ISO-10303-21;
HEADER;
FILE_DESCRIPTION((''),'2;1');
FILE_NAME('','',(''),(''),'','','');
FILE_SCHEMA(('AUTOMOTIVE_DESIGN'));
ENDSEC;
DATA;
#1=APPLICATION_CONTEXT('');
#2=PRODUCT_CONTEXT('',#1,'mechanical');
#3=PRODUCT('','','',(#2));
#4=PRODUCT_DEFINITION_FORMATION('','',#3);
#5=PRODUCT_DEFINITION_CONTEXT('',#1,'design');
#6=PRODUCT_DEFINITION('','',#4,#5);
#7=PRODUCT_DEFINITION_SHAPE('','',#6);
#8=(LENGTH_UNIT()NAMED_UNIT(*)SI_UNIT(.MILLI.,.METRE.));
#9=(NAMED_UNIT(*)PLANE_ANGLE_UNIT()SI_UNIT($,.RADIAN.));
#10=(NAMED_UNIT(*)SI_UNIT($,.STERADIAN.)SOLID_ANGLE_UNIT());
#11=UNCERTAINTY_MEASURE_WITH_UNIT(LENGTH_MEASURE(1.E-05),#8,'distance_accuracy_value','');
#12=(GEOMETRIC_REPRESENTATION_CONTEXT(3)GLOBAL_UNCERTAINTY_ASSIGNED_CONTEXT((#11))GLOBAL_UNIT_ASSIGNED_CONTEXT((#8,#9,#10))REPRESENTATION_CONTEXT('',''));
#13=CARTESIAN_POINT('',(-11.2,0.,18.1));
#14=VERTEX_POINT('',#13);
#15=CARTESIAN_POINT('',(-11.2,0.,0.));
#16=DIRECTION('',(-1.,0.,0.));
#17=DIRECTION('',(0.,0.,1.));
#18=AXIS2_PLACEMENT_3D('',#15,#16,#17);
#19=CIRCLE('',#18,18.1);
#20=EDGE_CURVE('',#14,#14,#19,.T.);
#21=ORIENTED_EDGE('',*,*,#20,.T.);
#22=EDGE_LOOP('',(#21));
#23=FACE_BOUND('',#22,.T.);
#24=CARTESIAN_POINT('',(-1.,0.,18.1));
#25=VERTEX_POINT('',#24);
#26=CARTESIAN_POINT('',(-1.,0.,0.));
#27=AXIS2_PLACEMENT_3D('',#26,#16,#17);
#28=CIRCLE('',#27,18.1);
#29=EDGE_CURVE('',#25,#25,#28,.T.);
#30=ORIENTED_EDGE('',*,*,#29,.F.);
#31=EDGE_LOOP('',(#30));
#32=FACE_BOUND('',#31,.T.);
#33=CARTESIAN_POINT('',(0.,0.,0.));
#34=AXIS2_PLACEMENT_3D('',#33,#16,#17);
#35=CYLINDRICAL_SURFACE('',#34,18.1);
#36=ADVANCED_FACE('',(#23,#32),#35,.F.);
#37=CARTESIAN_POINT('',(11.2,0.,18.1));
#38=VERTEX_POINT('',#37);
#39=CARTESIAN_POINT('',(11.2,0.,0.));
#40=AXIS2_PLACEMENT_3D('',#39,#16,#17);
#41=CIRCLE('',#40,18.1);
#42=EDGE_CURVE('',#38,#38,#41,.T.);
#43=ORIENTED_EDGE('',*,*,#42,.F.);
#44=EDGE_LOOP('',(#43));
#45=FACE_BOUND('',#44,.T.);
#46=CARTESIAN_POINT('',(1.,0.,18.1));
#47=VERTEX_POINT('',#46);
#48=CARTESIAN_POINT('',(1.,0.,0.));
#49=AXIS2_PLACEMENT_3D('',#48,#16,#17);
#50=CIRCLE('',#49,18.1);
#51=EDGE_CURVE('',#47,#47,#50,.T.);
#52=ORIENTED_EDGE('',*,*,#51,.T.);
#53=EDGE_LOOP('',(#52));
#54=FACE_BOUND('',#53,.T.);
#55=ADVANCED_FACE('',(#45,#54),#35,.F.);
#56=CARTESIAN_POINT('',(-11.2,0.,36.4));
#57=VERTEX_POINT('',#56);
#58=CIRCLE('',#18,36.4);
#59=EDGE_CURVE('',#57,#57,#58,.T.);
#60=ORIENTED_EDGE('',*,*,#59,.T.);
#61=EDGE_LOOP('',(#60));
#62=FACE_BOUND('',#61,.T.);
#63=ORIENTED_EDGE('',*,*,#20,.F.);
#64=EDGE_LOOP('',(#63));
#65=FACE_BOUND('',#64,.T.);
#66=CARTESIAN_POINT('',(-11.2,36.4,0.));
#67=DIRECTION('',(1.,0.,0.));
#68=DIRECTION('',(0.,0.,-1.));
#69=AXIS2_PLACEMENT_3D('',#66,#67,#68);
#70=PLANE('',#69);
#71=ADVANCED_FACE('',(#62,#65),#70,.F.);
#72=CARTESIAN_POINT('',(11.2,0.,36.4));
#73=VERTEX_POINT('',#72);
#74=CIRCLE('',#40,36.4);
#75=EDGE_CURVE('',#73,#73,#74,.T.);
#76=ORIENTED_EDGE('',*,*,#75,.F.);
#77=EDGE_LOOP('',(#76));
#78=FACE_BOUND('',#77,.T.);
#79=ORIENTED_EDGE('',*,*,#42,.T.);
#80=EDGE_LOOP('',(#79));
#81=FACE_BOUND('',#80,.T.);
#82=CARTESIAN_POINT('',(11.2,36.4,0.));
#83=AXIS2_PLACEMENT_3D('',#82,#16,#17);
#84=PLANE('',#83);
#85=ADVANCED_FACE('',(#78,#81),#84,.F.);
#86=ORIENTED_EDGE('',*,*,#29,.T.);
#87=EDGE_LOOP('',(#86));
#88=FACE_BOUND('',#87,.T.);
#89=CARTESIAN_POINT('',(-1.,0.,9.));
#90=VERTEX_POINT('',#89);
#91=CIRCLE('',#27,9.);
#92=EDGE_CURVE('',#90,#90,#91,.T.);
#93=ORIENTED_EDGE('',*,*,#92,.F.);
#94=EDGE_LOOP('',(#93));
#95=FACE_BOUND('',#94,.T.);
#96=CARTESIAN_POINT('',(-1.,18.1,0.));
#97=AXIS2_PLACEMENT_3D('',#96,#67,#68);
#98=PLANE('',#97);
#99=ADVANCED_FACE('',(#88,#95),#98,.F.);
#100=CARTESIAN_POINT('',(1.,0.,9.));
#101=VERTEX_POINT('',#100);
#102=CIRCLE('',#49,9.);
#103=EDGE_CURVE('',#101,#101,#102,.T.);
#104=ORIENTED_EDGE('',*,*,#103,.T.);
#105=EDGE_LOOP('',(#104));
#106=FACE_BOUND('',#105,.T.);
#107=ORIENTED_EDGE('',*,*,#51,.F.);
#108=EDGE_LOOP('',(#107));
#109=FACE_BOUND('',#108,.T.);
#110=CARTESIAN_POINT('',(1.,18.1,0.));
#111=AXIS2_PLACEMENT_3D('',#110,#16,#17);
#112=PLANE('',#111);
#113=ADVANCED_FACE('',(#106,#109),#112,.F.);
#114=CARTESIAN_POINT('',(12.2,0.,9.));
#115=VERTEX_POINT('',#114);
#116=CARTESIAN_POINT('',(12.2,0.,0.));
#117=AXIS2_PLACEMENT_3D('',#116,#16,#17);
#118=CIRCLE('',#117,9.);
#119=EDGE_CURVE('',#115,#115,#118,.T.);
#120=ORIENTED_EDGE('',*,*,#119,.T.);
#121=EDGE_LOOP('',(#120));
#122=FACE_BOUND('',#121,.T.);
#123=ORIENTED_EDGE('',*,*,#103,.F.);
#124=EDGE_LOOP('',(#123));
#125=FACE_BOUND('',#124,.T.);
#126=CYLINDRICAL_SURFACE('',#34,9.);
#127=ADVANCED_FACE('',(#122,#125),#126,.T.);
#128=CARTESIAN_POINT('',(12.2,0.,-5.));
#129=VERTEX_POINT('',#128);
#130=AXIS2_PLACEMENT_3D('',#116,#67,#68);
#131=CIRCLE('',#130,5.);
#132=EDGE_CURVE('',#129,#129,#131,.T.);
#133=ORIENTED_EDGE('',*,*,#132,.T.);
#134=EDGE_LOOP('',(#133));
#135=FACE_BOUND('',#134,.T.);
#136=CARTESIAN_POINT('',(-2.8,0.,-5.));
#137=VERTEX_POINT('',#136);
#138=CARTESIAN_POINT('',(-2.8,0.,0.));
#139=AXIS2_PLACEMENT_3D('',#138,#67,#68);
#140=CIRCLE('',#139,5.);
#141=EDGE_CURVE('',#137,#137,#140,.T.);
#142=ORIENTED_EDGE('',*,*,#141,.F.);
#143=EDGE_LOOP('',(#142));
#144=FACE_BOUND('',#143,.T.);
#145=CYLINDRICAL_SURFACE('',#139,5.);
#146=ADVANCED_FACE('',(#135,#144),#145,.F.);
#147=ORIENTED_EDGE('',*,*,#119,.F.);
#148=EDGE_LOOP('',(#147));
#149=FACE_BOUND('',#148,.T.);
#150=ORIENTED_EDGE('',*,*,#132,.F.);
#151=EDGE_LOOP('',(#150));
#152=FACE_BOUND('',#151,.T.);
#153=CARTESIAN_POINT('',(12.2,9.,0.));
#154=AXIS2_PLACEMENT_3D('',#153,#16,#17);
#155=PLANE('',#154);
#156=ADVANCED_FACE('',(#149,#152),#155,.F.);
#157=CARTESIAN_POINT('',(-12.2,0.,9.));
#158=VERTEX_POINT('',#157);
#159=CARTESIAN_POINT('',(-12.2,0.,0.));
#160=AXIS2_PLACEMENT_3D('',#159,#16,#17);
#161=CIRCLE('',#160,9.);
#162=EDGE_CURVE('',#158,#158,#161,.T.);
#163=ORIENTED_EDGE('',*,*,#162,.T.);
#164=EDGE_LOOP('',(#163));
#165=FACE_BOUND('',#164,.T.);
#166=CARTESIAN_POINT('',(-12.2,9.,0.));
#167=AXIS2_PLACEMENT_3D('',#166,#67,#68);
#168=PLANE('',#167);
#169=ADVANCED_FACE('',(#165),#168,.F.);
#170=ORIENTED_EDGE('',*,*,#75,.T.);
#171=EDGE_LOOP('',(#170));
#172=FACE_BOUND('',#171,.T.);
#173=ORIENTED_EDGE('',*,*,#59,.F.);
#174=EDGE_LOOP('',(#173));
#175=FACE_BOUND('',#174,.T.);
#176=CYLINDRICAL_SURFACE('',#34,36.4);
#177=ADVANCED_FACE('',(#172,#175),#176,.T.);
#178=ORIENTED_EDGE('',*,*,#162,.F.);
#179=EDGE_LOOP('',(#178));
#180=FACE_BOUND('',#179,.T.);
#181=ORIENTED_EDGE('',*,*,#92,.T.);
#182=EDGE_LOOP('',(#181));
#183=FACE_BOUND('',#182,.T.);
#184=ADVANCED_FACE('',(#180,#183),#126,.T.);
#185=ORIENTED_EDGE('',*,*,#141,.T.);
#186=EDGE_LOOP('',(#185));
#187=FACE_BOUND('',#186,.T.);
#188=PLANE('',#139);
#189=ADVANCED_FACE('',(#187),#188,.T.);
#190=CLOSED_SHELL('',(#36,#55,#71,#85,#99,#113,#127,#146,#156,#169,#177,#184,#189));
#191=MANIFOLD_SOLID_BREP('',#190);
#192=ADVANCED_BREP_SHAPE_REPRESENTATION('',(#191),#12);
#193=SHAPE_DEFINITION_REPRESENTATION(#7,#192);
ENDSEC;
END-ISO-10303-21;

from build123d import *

# Parameters (mm, degrees)
SKETCH2_R          = 5
CUT_EXTRUDE1_DEPTH = 15


with BuildPart() as part:
    # Sketch1 → Revolve1 (revolve)
    with BuildSketch(Plane.XY, mode=Mode.PRIVATE) as revolve1_sk:
        Polygon((-11.2, 18.1), (-1, 18.1), (-1, 9), (-12.2, 9), (-12.2, 0), (12.2, 0), (12.2, 9), (1, 9), (1, 18.1), (11.2, 18.1), (11.2, 36.4), (-11.2, 36.4), align=None)
    revolve(revolve1_sk.sketch.rotate(Axis((0, 0, 0), (1, 0, 0)), 90), axis=Axis((0, 0, 0), (1, 0, 0)))

    # Sketch2 → Cut-Extrude1 (cut)
    with BuildSketch(Plane(origin=(12.2, 0, 0), x_dir=(0, 0, -1), z_dir=(1, 0, 0))):
        Circle(SKETCH2_R)
    extrude(amount=-CUT_EXTRUDE1_DEPTH, mode=Mode.SUBTRACT)


solid = part.part
